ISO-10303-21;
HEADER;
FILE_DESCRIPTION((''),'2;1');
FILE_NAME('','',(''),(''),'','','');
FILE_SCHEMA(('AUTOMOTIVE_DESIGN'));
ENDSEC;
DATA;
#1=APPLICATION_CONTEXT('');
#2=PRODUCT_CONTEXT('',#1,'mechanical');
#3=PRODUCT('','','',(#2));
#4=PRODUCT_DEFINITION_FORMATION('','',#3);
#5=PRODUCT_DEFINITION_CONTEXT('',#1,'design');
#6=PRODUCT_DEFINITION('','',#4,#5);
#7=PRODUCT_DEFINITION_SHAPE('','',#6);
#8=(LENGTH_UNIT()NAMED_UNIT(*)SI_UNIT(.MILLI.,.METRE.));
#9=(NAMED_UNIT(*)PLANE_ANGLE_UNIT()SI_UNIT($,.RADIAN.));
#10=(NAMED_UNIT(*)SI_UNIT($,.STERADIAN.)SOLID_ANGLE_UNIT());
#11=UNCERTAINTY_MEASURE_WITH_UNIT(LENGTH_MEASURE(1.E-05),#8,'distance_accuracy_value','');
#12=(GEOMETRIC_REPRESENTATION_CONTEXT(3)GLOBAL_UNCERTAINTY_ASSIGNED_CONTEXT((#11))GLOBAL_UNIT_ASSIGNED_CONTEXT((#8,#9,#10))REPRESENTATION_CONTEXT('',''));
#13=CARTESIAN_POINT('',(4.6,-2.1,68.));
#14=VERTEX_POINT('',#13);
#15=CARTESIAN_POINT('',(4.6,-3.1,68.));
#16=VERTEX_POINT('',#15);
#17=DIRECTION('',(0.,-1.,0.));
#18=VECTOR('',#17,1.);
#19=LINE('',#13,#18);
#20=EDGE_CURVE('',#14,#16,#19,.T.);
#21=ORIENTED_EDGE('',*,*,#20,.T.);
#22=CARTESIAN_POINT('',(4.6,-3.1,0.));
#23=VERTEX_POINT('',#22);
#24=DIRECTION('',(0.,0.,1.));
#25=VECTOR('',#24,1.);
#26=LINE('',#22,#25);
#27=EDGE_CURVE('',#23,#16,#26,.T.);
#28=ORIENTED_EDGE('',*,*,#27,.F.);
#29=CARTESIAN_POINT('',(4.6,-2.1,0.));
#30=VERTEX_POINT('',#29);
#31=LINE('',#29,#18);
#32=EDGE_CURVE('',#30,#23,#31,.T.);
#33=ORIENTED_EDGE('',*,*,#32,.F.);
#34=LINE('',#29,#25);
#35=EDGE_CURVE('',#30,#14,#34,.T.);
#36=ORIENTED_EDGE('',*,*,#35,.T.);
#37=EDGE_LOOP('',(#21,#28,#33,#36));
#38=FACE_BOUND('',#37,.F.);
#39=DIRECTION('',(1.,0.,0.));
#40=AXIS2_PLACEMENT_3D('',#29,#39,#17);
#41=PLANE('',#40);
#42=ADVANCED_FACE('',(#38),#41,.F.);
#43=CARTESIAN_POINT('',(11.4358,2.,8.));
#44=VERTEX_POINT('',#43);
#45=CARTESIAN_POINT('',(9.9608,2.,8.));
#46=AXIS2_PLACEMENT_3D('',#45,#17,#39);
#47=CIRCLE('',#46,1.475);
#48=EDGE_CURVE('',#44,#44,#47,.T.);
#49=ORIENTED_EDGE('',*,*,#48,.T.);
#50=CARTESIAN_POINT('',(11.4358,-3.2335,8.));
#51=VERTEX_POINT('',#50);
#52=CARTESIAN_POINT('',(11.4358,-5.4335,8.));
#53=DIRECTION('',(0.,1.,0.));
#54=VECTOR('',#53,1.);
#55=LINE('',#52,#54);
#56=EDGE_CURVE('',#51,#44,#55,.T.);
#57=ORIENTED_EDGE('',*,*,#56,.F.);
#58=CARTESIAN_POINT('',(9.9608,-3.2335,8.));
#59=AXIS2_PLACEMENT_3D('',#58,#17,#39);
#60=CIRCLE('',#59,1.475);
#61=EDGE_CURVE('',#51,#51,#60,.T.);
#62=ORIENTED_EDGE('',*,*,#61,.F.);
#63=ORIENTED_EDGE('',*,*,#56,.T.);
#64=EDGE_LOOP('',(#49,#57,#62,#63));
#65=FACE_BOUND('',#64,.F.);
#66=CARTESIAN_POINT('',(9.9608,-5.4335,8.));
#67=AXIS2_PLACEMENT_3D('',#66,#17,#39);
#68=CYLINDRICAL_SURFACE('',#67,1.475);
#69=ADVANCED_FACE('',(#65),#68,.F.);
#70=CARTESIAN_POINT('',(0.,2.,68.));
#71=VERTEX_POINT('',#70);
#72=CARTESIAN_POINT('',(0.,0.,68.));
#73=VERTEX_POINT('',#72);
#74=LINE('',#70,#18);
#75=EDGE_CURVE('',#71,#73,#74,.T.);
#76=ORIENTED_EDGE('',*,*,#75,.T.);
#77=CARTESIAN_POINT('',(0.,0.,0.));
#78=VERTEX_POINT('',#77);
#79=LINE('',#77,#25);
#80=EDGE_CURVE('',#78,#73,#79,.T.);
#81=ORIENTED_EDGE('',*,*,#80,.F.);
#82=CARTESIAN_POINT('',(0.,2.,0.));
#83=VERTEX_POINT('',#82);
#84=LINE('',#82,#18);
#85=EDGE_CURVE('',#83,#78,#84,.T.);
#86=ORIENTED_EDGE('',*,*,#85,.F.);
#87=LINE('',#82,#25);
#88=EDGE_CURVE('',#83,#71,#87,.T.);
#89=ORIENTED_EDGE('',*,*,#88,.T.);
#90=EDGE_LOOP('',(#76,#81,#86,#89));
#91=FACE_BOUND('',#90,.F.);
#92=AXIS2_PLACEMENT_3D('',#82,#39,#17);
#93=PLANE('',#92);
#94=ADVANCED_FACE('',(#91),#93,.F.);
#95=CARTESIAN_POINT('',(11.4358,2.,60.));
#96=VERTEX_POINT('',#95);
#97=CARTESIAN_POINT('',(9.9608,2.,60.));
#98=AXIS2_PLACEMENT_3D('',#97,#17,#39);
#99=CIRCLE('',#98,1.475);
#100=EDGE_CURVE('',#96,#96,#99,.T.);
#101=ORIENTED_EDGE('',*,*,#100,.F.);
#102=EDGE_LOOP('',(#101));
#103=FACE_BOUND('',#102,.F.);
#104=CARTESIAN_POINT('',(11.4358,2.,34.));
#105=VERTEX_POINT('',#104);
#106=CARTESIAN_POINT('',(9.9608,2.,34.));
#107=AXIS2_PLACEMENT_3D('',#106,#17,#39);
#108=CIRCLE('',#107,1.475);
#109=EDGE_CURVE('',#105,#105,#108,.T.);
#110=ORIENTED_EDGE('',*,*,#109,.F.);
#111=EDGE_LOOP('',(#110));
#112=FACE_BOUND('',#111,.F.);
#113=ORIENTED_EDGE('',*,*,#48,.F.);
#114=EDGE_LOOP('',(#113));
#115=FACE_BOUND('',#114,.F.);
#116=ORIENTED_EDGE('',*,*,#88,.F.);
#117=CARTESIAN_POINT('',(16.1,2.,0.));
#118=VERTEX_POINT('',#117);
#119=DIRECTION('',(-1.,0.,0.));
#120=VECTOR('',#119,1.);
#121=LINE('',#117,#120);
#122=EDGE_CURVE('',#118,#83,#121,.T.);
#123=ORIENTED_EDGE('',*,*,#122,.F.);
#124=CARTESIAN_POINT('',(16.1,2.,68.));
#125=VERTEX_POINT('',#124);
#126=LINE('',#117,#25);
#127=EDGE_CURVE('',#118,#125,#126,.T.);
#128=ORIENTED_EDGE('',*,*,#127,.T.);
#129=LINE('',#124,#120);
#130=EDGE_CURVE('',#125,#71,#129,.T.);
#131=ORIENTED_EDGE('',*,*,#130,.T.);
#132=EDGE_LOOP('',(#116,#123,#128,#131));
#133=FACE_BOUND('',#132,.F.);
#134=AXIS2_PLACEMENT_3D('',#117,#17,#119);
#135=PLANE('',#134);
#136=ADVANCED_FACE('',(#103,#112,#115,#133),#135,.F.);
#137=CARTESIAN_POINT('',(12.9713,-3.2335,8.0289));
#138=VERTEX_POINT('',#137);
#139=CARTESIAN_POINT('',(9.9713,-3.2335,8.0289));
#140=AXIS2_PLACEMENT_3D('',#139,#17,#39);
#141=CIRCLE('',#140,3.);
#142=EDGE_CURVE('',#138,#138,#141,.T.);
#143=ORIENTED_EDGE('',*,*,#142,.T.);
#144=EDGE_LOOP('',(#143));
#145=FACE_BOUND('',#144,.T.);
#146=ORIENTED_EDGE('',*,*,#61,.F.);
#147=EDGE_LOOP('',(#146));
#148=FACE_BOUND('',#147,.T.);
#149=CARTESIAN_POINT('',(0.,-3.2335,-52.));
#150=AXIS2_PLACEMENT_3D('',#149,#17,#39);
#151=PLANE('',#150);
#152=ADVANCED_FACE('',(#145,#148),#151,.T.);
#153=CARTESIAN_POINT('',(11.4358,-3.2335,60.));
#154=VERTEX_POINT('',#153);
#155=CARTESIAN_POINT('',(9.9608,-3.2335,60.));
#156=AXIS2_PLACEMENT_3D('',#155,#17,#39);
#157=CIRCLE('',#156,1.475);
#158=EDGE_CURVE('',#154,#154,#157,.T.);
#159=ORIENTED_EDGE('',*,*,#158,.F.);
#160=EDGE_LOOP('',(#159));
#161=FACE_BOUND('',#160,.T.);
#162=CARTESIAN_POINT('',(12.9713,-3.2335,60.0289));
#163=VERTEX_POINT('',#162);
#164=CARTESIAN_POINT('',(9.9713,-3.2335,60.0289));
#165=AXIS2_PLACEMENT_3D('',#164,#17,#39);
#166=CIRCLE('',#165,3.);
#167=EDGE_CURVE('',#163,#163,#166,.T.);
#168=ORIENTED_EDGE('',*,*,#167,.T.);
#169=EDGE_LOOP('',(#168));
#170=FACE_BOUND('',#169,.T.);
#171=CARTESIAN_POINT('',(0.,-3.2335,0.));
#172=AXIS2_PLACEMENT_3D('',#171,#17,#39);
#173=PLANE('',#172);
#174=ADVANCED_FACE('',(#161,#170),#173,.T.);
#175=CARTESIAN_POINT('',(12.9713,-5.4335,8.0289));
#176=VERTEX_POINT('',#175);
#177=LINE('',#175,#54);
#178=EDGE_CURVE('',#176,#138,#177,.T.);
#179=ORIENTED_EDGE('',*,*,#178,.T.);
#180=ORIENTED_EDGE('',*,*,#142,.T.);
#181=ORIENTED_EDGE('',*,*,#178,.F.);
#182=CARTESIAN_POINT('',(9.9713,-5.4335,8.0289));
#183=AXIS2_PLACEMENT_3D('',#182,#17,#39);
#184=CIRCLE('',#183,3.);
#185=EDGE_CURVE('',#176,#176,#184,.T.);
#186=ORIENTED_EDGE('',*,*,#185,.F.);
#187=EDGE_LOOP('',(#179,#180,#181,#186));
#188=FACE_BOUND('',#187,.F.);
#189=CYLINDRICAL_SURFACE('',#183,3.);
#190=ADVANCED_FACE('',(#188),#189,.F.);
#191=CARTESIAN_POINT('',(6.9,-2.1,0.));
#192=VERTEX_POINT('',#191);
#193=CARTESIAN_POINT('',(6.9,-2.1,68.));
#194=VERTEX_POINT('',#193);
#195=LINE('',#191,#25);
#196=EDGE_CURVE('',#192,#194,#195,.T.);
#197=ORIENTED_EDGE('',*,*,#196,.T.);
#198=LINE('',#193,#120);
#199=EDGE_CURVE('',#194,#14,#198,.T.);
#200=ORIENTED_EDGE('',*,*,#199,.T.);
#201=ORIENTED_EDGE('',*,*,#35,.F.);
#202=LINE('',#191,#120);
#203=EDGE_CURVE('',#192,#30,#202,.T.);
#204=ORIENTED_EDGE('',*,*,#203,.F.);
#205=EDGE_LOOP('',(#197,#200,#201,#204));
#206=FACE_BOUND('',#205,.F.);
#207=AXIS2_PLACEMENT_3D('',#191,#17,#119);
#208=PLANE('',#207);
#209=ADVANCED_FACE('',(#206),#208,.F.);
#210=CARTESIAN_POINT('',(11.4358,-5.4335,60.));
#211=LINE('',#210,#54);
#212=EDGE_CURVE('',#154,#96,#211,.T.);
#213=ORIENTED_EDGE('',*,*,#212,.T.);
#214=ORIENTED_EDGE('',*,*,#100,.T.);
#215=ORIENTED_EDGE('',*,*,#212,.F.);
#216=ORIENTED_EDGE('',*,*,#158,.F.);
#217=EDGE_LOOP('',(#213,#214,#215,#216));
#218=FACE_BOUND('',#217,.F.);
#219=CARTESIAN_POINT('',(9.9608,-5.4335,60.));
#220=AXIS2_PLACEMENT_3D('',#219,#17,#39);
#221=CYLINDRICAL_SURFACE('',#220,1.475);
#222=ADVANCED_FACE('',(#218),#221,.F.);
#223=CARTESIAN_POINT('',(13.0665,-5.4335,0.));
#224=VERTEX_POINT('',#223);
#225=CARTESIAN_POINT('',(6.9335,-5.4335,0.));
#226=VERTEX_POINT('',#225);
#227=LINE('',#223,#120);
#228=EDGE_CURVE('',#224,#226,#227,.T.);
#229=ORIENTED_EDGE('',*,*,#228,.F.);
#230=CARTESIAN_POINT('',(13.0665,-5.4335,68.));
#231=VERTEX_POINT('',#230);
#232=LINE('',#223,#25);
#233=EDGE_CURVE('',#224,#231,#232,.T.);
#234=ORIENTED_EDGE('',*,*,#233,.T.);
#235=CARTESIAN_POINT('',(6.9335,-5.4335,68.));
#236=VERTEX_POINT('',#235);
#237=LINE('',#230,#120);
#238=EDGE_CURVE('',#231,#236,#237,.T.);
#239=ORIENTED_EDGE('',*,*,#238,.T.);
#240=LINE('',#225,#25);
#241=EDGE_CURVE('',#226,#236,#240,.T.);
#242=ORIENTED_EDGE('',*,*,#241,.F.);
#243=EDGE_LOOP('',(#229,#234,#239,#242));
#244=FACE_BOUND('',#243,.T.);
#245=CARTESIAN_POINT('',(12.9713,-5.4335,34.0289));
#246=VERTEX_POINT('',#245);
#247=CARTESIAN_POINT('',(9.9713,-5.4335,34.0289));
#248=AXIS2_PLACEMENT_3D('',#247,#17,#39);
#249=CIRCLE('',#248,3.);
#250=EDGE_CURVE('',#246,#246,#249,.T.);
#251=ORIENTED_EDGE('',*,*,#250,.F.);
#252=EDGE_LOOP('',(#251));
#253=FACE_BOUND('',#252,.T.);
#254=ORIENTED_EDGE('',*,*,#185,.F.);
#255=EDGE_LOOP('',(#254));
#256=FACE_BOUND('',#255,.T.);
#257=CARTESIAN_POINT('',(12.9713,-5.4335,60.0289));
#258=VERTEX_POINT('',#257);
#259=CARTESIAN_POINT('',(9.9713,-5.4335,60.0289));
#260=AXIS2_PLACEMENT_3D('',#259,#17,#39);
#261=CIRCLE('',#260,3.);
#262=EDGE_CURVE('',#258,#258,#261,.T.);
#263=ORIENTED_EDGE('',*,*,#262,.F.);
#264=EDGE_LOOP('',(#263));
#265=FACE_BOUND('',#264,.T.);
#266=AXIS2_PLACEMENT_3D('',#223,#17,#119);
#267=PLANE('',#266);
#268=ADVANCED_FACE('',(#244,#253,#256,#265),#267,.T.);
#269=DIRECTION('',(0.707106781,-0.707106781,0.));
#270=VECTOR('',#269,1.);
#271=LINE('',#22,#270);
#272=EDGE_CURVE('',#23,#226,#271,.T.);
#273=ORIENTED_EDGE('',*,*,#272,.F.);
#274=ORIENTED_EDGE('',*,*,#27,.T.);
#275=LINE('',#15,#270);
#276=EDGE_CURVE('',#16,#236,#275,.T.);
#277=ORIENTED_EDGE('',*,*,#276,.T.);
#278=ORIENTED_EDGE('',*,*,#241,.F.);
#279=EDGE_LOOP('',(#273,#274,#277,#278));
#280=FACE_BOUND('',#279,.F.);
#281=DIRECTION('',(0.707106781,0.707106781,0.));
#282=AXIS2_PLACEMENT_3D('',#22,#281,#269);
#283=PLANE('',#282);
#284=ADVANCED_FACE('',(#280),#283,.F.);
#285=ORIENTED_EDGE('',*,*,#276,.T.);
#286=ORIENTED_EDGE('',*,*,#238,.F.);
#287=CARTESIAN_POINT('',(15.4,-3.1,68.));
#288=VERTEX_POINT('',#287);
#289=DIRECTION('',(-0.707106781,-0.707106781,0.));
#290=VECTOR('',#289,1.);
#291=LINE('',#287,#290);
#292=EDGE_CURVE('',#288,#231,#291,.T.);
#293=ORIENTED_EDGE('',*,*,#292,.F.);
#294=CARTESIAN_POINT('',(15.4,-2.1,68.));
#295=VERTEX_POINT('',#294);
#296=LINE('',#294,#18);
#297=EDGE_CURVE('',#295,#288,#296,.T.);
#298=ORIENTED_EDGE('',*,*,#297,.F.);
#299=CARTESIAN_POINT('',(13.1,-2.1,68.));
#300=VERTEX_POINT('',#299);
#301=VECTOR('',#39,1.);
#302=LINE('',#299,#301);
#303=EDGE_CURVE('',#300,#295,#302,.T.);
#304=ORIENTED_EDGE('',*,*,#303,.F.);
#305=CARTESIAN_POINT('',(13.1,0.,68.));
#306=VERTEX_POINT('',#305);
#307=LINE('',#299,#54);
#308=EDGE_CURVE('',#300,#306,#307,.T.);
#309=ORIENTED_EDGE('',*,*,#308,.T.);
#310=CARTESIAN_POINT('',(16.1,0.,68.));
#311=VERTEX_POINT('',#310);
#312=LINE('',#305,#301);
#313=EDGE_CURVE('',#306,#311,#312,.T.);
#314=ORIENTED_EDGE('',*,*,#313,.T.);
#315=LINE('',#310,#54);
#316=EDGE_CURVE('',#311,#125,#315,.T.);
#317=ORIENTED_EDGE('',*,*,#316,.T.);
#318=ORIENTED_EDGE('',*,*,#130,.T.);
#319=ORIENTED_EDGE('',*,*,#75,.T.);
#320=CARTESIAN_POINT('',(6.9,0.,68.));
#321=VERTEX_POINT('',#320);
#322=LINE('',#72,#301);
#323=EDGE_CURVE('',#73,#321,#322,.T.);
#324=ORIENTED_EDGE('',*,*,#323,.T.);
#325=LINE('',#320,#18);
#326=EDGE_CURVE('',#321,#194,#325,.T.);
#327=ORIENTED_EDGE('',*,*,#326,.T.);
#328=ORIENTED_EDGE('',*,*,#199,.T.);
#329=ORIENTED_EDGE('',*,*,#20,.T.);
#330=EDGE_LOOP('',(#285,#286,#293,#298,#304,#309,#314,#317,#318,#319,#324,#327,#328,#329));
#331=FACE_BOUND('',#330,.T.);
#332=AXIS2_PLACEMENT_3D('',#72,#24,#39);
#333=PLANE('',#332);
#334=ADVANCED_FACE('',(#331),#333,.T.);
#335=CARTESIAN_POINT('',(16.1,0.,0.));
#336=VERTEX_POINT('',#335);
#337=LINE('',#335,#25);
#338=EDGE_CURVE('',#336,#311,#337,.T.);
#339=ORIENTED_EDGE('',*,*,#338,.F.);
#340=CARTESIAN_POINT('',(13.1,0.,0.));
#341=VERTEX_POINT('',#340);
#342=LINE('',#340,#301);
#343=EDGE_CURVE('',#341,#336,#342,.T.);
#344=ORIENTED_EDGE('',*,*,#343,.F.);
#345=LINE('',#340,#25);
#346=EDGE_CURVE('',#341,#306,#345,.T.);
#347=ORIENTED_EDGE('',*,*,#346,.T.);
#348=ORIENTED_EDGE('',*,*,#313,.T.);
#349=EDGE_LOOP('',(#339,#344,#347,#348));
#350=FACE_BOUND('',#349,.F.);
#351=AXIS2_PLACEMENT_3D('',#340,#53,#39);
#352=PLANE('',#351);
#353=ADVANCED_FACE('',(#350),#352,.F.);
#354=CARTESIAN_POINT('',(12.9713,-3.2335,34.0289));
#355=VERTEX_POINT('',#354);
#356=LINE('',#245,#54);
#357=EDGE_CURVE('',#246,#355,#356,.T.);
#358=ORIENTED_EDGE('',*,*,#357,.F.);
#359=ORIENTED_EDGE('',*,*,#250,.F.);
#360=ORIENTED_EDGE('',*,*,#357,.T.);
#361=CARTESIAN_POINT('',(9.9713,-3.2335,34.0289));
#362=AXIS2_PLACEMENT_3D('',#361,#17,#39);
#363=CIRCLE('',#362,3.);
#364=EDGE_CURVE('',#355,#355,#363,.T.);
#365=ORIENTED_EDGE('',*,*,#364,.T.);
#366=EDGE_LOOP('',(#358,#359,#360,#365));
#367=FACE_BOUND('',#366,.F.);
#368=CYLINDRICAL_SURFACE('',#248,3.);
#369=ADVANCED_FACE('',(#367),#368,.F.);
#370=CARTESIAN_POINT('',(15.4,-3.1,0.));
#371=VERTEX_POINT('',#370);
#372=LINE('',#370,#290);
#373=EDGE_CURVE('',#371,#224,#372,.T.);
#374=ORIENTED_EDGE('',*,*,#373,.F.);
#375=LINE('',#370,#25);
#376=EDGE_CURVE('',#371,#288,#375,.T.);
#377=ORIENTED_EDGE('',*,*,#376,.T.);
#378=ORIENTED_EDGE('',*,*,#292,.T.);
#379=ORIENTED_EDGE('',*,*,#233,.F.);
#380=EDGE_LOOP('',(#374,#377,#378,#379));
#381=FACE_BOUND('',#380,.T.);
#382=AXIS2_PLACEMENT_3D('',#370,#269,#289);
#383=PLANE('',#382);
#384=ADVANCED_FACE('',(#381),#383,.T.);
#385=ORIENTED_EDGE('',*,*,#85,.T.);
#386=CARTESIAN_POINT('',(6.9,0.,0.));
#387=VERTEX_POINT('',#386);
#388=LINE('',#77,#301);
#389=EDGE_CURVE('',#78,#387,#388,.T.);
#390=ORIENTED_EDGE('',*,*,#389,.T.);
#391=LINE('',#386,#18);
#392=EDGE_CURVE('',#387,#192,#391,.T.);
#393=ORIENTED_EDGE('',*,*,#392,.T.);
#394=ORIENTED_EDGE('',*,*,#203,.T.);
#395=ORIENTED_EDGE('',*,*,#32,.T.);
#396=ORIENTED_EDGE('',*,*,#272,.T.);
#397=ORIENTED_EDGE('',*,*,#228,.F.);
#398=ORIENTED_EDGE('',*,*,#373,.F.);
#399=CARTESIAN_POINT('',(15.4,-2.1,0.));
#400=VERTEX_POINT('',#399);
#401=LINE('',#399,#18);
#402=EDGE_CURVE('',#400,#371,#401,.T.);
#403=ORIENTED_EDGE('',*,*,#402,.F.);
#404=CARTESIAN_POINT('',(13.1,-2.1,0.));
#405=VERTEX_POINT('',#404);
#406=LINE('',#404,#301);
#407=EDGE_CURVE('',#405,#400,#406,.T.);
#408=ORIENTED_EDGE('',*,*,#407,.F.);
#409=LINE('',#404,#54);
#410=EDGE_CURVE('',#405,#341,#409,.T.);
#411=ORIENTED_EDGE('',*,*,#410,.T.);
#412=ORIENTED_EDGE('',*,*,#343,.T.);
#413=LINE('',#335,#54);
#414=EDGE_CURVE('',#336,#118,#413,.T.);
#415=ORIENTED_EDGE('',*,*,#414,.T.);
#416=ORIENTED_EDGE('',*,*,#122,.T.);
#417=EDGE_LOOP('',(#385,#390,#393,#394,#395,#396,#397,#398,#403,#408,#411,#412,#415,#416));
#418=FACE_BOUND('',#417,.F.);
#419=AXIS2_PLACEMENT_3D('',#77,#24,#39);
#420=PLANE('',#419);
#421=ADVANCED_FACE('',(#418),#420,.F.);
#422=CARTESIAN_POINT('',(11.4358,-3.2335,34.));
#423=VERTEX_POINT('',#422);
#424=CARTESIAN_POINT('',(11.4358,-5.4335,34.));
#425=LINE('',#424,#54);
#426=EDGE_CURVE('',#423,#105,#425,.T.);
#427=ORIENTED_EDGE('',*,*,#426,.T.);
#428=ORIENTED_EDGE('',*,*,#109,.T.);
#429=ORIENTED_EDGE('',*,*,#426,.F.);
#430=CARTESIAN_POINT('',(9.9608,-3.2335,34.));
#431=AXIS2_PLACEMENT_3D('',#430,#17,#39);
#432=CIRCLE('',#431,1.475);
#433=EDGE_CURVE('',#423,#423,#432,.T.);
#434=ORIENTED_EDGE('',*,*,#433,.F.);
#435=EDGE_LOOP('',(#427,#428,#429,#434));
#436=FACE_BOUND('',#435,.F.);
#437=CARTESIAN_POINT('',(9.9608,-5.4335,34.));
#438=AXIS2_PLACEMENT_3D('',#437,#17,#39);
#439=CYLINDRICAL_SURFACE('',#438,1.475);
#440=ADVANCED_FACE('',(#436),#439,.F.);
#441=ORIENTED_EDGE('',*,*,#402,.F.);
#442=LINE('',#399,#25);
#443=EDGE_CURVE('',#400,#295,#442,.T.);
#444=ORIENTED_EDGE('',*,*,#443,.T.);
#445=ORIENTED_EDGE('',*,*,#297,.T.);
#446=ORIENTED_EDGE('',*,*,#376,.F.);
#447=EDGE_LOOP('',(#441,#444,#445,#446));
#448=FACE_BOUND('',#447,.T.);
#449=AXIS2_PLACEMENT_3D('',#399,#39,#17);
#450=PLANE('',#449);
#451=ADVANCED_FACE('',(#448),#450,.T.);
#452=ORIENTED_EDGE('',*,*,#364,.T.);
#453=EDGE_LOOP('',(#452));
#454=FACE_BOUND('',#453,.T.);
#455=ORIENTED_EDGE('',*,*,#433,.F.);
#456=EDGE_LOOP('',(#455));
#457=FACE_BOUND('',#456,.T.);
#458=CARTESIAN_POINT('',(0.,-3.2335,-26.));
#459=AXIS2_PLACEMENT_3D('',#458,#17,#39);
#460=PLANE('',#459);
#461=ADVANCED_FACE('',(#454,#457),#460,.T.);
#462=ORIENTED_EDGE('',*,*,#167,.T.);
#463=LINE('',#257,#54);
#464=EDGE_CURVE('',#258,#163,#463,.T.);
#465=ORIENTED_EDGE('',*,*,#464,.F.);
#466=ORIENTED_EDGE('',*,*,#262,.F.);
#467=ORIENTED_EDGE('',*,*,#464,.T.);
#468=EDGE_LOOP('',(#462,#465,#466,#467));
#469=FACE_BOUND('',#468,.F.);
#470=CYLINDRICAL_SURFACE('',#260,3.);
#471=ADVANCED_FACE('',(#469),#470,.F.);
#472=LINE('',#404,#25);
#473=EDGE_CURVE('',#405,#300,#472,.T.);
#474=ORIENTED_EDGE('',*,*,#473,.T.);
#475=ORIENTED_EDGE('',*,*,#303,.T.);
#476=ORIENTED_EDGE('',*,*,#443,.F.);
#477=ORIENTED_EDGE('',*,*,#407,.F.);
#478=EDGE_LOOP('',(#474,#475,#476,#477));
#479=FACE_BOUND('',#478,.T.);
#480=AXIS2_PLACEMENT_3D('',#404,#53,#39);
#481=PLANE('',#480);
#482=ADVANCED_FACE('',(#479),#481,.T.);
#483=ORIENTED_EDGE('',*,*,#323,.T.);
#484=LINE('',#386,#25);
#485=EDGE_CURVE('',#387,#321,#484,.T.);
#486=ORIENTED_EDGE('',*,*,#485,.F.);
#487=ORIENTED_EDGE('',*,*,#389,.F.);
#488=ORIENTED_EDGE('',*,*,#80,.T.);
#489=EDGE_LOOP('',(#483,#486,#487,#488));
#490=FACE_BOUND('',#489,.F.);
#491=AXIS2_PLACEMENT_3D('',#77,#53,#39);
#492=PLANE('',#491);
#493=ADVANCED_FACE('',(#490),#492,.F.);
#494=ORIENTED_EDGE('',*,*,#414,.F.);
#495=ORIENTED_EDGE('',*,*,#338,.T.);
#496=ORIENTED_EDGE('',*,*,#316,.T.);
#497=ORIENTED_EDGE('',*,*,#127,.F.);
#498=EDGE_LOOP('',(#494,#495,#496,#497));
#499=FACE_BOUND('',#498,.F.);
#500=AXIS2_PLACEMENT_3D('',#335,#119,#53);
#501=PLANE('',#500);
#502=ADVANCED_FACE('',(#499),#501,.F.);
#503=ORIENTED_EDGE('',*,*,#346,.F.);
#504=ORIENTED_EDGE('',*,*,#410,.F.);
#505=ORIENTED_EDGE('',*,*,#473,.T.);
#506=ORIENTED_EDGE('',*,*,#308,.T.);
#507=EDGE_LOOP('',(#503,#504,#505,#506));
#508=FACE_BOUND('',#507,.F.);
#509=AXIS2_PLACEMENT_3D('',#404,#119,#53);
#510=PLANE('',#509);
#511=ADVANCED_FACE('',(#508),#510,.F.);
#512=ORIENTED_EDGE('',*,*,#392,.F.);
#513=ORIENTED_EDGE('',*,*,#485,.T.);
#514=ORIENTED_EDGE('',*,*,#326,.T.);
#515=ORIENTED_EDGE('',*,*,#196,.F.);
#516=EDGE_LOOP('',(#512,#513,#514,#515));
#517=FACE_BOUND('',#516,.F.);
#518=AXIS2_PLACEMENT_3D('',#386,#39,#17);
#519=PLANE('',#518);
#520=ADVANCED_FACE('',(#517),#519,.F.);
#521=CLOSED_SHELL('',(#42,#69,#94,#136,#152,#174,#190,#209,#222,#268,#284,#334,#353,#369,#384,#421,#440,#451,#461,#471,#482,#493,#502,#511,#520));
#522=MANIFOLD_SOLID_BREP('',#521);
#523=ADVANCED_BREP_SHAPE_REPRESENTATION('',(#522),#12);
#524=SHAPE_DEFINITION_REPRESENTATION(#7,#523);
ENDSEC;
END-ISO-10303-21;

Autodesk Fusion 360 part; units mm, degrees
sketch "Sketch1" plane through (0, 0, 0) normal (0, 0, 1) x (1, 0, 0)
  line L0 (0, 0) -> (6.9, 0)
  line L1 (6.9, 0) -> (6.9, -2.1)
  line L2 (6.9, -2.1) -> (4.6, -2.1)
  line L3 (4.6, -2.1) -> (4.6, -3.1)
  line L4 (4.6, -3.1) -> (6.9335, -5.4335)
  line L5 (4.6, -3.1) -> (7.9, -3.1) construction
  line L6 (4.6, -2.1) -> (10.8, -2.1)
  line L7 (6.9, -2.1) -> (13.1, -2.1)
  line L8 (13.1, -2.1) -> (15.4, -2.1)
  line L9 (15.4, -2.1) -> (15.4, -3.1)
  line L10 (15.4, -3.1) -> (13.0665, -5.4335)
  line L11 (13.0665, -5.4335) -> (6.9335, -5.4335)
  line L12 (15.4, -2.1) -> (13.1, -2.1)
  line L13 (13.1, -2.1) -> (13.1, 0)
  line L14 (13.1, 0) -> (16.1, 0)
  line L15 (16.1, 0) -> (16.1, 2)
  line L16 (16.1, 2) -> (0, 2)
  line L17 (0, 2) -> (0, 0)
  dimension "d1" = 6.9
  dimension "d2" = 2.1
  dimension "d3" = 2.3
  dimension "d4" = 1
  dimension "d5" = 45
  dimension "d6" = 3.3
  dimension "d7" = 6.2
  dimension "d11" = 6.2
  dimension "d12" = 135
  dimension "d13" = 3.3
  dimension "d14" = 3
extrude "Extrude1" add sketch "Sketch1" along normal blind 68
sketch "Sketch11" plane through (0, -5.4335, 0) normal (0, -1, 0) x (1, 0, 0)
  line L0 (6.9335, 0) -> (13.0665, 0)
  line L1 (13.0665, 0) -> (13.0665, 68)
  line L2 (13.0665, 68) -> (6.9335, 68)
  line L3 (6.9335, 68) -> (6.9335, 0)
  circle A0 centre (9.9608, 60) radius 1.475
  dimension "d119" = 2.95
  dimension "d126" = 8
extrude "Extrude33" cut sketch "Sketch11" against normal blind 10 contours A0
pattern_linear "R-Pattern1" count 3 spacing 26 along (0, 0, -1) of "Extrude33"
sketch "Sketch12" plane through (0, -5.4335, 0) normal (0, -1, 0) x (1, 0, 0)
  circle A0 centre (9.9713, 60.0289) radius 3
  dimension "d127" = 6
extrude "Extrude34" cut sketch "Sketch12" against normal blind 2.2
pattern_linear "R-Pattern2" count 3 spacing 26 along (0, 0, -1) of "Extrude34"
